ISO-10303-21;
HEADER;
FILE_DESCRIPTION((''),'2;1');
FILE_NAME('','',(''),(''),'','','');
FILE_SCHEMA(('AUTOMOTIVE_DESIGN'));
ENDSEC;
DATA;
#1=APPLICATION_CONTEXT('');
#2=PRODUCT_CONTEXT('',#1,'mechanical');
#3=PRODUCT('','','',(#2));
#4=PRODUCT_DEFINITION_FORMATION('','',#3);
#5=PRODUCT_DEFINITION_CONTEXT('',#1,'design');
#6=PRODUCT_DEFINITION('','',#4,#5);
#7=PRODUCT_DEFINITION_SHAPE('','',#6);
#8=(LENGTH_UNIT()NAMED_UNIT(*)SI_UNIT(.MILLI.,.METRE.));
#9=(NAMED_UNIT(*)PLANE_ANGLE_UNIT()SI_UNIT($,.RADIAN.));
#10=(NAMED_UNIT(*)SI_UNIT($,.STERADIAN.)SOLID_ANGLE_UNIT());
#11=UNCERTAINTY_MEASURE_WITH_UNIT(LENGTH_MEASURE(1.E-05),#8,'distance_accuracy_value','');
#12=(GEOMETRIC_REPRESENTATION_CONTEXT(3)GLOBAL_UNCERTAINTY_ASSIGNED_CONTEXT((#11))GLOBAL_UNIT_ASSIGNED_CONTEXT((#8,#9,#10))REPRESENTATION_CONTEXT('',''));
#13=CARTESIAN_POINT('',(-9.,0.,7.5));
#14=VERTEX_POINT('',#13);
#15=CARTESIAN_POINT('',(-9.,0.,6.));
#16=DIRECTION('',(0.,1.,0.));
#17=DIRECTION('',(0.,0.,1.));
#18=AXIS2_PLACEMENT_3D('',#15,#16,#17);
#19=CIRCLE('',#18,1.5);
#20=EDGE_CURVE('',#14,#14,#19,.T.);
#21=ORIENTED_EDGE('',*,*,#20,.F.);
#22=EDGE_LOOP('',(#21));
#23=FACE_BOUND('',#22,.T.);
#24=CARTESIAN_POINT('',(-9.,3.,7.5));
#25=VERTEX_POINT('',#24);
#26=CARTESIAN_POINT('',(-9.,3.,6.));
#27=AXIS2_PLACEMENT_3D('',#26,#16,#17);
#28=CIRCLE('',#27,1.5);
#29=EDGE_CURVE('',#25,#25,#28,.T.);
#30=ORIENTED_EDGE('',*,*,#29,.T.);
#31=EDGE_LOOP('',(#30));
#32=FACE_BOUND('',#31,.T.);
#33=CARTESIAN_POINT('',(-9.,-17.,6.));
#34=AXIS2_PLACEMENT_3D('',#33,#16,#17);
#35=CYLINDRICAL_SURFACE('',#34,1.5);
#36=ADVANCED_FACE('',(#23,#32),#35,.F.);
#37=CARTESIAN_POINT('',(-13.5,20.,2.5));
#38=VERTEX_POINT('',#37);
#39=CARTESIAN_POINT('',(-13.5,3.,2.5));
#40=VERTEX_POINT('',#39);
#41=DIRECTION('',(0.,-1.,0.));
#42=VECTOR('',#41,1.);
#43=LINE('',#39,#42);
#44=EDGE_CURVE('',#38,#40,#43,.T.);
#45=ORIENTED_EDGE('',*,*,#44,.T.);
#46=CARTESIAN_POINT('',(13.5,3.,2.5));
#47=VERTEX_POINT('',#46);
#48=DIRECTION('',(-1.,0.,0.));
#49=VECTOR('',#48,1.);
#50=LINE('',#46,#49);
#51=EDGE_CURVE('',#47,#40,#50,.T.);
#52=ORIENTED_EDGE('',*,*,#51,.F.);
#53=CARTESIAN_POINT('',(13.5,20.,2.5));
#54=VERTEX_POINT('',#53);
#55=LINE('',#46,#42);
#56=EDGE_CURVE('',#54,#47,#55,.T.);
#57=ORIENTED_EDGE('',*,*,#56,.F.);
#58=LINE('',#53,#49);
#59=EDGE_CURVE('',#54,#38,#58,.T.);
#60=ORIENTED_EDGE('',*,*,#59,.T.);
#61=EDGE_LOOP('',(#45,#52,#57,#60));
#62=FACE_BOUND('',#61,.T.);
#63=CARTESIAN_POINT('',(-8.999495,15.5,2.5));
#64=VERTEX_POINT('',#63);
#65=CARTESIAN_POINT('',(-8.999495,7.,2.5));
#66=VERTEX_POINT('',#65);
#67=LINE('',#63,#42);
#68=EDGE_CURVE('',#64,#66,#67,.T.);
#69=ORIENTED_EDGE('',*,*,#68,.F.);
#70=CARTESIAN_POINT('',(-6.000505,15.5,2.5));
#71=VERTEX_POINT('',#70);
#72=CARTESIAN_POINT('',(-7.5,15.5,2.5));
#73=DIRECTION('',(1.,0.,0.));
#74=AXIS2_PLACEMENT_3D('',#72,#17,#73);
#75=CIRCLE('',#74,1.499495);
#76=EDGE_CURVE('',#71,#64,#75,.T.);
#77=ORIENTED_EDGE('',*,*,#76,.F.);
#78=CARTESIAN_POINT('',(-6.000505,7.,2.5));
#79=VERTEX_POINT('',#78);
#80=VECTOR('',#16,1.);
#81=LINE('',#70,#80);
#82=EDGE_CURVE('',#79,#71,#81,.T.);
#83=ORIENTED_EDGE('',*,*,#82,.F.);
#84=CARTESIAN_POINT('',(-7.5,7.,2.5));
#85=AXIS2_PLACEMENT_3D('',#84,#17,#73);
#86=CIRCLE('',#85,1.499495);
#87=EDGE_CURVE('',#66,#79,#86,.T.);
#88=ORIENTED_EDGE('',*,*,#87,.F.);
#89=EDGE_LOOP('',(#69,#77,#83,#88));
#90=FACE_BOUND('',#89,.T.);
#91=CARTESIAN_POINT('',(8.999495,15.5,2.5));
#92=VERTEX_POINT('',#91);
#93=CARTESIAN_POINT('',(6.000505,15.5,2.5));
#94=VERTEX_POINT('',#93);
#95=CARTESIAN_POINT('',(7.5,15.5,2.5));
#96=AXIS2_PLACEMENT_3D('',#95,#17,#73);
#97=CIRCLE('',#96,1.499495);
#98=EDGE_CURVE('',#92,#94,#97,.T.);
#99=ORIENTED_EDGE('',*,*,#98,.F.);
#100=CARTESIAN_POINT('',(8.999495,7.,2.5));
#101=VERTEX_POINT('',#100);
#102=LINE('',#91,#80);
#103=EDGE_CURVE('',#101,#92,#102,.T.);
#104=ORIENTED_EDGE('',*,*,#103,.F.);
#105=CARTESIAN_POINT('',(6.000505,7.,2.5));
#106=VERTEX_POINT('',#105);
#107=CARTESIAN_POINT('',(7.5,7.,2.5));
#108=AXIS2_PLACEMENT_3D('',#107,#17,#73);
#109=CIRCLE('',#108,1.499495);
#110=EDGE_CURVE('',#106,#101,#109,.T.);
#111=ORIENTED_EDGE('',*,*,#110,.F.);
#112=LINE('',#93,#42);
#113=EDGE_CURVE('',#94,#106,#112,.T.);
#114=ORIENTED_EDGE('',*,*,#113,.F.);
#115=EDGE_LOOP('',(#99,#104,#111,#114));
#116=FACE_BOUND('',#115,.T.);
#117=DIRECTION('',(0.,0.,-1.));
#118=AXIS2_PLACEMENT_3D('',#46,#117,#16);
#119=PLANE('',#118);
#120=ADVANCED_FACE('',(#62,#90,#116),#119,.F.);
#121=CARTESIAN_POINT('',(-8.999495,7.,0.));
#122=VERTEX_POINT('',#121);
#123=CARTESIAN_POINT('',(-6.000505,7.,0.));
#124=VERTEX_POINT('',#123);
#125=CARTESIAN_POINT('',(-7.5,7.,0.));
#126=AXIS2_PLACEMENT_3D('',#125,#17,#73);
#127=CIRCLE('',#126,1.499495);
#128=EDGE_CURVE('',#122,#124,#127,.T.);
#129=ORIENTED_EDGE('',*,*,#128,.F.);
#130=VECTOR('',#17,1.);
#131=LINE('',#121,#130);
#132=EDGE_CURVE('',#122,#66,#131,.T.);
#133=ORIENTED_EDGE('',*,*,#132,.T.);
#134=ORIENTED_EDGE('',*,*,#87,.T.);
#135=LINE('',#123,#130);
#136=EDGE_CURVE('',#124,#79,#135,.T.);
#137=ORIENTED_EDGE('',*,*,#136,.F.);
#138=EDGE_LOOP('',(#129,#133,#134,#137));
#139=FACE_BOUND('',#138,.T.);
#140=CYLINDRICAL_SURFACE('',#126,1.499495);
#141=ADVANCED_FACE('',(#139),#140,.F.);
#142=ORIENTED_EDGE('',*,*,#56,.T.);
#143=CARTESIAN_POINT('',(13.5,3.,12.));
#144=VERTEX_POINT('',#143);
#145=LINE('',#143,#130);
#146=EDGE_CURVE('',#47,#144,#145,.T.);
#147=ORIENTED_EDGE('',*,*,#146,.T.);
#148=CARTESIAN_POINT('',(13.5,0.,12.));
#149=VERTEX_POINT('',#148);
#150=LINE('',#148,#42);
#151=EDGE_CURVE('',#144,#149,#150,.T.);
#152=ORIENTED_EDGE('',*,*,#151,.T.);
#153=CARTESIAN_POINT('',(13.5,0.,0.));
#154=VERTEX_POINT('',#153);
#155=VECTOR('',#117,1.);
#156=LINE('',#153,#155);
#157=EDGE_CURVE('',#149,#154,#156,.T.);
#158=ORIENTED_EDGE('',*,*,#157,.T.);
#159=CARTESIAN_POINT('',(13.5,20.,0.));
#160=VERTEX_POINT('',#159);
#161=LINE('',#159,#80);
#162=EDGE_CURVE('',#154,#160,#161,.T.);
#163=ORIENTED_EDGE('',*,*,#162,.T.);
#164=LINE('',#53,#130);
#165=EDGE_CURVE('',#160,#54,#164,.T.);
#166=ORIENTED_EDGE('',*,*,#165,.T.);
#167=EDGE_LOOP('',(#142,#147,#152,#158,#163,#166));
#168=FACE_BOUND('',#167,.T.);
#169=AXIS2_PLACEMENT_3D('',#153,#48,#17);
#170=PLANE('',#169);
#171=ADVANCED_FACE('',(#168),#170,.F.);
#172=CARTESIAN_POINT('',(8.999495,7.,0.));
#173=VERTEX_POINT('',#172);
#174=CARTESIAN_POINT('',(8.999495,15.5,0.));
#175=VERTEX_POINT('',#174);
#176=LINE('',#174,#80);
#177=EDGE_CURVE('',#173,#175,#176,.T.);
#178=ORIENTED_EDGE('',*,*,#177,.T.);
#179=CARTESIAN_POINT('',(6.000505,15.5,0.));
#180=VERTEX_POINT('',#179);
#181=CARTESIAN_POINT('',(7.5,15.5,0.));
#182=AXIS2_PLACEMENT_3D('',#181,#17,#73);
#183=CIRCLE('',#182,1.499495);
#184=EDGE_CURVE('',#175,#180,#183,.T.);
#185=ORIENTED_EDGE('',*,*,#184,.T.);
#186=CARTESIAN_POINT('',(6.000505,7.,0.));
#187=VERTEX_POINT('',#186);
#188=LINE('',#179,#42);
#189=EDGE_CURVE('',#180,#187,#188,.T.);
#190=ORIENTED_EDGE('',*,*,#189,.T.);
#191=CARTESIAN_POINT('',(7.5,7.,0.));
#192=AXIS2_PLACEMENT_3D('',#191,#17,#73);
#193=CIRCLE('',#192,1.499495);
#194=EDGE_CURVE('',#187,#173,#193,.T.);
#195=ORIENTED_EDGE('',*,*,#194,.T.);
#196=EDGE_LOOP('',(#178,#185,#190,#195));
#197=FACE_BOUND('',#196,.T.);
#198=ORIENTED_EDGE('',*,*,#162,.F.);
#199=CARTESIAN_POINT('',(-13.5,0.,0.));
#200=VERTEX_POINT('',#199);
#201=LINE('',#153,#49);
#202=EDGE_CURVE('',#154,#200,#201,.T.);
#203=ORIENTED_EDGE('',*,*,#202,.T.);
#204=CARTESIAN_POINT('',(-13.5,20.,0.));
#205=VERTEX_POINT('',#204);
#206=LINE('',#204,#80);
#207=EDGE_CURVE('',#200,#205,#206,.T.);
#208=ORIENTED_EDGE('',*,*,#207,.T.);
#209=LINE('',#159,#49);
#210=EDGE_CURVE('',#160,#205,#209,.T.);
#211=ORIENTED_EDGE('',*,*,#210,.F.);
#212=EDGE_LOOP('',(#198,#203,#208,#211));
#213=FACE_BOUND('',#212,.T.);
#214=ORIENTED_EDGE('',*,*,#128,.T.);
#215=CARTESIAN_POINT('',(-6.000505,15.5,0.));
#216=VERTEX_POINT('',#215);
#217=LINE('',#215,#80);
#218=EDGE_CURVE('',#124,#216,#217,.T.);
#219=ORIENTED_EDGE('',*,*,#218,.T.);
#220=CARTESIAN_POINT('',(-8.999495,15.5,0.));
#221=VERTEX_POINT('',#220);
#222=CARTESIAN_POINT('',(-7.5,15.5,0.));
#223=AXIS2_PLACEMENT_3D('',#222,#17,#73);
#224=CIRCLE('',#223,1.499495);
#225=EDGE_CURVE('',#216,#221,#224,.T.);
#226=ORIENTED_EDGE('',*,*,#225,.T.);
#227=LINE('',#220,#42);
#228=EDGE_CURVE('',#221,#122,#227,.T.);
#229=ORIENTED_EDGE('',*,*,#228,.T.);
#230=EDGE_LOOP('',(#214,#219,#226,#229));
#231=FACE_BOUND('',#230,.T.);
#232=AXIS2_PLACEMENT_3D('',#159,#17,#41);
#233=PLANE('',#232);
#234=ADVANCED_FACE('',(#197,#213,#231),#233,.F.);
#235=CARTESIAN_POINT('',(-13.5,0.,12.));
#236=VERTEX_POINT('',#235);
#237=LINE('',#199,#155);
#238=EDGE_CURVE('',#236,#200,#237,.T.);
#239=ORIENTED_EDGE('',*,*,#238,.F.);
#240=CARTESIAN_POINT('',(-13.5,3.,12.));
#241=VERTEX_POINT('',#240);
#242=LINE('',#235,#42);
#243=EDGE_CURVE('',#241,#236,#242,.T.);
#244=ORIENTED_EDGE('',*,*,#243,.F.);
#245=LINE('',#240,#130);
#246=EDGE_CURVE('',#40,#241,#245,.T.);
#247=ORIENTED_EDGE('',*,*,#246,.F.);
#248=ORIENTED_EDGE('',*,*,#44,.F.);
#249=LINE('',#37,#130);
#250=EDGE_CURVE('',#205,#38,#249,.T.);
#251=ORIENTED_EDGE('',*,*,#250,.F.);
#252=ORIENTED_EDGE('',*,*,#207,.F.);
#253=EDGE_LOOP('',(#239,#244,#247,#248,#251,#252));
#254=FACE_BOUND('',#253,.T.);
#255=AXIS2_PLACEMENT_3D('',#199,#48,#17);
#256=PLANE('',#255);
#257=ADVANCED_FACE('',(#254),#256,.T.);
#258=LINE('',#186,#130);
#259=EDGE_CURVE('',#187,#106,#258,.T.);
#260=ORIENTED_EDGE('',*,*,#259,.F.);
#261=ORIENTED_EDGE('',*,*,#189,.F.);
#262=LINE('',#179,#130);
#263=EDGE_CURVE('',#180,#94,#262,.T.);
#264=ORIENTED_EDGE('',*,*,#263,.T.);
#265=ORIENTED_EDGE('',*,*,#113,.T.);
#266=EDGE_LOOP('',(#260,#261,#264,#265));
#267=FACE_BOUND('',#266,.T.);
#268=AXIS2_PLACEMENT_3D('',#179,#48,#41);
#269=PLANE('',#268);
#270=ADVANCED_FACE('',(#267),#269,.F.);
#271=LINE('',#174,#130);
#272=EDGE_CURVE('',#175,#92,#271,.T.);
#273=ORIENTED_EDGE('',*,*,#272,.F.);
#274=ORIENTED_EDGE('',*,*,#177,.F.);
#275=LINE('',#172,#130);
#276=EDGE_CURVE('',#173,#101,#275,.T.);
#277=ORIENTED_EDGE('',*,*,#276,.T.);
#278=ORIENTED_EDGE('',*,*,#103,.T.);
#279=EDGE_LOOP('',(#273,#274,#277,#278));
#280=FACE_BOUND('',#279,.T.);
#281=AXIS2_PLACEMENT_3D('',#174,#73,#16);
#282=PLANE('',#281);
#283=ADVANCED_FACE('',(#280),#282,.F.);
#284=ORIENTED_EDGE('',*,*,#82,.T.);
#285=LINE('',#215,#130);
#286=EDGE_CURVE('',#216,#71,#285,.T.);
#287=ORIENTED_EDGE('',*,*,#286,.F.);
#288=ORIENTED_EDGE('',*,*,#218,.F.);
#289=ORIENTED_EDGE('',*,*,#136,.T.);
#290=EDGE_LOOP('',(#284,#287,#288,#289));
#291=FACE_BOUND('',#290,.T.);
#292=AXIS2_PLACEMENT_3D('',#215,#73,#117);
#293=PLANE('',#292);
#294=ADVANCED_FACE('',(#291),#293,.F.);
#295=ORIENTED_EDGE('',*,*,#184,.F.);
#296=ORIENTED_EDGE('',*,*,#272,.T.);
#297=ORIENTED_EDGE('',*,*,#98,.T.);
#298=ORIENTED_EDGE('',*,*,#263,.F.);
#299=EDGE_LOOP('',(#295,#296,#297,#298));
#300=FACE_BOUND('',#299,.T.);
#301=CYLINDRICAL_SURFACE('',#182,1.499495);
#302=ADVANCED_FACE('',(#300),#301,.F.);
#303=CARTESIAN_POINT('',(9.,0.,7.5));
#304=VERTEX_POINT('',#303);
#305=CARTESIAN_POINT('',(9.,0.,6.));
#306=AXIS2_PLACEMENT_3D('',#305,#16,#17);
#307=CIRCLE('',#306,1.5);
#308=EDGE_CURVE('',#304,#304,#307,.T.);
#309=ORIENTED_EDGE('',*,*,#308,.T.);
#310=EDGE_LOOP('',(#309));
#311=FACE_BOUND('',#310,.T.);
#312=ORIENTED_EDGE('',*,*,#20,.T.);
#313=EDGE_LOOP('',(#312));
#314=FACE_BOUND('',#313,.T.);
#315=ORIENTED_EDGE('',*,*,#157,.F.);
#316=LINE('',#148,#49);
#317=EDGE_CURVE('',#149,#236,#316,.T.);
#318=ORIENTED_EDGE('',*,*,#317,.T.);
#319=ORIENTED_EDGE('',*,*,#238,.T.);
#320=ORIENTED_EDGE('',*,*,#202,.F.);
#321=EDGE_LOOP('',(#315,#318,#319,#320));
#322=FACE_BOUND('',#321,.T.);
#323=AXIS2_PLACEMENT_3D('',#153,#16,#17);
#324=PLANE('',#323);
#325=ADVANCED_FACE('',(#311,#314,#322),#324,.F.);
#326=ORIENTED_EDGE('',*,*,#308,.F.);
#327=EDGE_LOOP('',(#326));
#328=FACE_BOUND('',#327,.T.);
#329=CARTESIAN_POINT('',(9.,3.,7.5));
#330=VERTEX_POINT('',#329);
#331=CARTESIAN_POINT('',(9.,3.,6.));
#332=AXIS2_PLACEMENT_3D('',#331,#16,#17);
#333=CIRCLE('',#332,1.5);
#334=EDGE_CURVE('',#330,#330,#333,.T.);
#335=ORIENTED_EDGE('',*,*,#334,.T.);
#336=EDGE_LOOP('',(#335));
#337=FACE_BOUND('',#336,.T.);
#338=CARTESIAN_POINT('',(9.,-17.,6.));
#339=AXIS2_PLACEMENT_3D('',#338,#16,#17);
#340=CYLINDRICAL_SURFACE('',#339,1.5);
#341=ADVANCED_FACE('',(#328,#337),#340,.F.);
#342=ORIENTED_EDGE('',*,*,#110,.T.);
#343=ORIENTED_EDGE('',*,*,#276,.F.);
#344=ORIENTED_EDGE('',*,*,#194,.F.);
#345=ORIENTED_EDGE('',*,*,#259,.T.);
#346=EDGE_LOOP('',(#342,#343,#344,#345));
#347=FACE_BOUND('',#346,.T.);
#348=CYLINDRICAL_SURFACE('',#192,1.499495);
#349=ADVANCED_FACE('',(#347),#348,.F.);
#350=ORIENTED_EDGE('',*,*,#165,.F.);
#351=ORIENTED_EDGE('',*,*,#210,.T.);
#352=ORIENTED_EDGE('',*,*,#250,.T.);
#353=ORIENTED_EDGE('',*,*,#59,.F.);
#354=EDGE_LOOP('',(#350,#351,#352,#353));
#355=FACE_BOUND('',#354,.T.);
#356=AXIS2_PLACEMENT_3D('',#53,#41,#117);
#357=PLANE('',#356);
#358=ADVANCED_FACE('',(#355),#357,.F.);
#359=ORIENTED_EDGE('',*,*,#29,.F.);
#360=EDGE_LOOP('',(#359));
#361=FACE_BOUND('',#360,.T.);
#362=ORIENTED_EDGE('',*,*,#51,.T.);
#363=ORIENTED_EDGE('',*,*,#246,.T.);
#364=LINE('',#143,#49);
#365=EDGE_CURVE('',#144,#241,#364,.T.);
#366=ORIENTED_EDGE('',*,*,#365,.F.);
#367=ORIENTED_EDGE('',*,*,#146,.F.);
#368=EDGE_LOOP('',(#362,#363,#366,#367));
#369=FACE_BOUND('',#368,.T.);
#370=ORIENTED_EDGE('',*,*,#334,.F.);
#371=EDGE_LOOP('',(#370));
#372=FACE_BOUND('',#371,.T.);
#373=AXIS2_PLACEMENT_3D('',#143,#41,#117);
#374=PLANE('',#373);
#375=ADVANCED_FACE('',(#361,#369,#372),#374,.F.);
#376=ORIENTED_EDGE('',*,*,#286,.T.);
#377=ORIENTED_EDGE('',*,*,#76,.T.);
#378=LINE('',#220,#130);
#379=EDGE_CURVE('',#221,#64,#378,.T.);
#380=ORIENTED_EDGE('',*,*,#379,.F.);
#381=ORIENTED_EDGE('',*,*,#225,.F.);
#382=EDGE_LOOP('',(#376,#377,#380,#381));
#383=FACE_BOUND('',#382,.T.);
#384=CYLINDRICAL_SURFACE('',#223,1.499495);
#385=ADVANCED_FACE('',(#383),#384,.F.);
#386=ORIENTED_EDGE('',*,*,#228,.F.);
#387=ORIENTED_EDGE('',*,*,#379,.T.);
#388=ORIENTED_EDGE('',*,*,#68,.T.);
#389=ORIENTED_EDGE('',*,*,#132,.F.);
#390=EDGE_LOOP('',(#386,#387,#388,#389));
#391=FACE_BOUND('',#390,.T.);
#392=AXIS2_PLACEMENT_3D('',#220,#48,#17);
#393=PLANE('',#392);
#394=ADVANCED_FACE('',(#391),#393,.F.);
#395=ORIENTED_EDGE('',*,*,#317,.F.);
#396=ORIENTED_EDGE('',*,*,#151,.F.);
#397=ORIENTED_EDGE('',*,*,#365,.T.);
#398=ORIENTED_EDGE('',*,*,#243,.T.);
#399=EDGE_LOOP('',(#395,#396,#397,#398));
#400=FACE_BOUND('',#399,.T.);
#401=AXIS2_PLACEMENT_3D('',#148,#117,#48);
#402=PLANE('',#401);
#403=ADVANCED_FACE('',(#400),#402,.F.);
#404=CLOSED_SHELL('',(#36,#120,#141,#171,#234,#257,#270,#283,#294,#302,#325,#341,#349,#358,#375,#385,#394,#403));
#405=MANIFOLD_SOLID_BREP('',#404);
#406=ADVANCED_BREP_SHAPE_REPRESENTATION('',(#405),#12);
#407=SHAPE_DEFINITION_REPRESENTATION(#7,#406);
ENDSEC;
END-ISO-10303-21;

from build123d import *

# Parameters (mm, degrees)
BOSS_EXTRUDE1_DEPTH = 13.5
SKETCH2_R           = 1.5
CUT_EXTRUDE1_DEPTH  = 20
CUT_EXTRUDE2_DEPTH  = 3.5


with BuildPart() as part:
    # Sketch1 → Boss-Extrude1 (new body, symmetric)
    with BuildSketch(Plane(origin=(0, 0, 0), x_dir=(0, 0, -1), z_dir=(1, 0, 0))):
        Polygon((0, 0), (-12, 0), (-12, 3), (-2.5, 3), (-2.5, 20), (0, 20), align=None)
    extrude(amount=BOSS_EXTRUDE1_DEPTH, both=True)

    # Sketch2 → Cut-Extrude1 (cut)
    with BuildSketch(Plane(origin=(0, 3, 0), x_dir=(1, 0, 0), z_dir=(0, 1, 0))):
        with Locations((-9, -6)):
            Circle(SKETCH2_R)
        with Locations((9, -6)):
            Circle(SKETCH2_R)
    extrude(amount=-CUT_EXTRUDE1_DEPTH, mode=Mode.SUBTRACT)

    # Sketch3 → Cut-Extrude2 (cut, through all)
    with BuildSketch(Plane.XY.offset(2.5)):
        with BuildLine():
            Line((-6.000505089, 15.5), (-6.000505089, 7))
            ThreePointArc((-6.000505089, 7), (-7.5, 5.500505089), (-8.999494911, 7))
            Line((-8.999494911, 7), (-8.999494911, 15.5))
            ThreePointArc((-8.999494911, 15.5), (-7.5, 16.999494911), (-6.000505089, 15.5))
        make_face()
        with BuildLine():
            Line((8.999494911, 15.5), (8.999494911, 7))
            ThreePointArc((8.999494911, 7), (7.5, 5.500505089), (6.000505089, 7))
            Line((6.000505089, 7), (6.000505089, 15.5))
            ThreePointArc((6.000505089, 15.5), (7.5, 16.999494911), (8.999494911, 15.5))
        make_face()
    extrude(amount=-CUT_EXTRUDE2_DEPTH, mode=Mode.SUBTRACT)


solid = part.part
